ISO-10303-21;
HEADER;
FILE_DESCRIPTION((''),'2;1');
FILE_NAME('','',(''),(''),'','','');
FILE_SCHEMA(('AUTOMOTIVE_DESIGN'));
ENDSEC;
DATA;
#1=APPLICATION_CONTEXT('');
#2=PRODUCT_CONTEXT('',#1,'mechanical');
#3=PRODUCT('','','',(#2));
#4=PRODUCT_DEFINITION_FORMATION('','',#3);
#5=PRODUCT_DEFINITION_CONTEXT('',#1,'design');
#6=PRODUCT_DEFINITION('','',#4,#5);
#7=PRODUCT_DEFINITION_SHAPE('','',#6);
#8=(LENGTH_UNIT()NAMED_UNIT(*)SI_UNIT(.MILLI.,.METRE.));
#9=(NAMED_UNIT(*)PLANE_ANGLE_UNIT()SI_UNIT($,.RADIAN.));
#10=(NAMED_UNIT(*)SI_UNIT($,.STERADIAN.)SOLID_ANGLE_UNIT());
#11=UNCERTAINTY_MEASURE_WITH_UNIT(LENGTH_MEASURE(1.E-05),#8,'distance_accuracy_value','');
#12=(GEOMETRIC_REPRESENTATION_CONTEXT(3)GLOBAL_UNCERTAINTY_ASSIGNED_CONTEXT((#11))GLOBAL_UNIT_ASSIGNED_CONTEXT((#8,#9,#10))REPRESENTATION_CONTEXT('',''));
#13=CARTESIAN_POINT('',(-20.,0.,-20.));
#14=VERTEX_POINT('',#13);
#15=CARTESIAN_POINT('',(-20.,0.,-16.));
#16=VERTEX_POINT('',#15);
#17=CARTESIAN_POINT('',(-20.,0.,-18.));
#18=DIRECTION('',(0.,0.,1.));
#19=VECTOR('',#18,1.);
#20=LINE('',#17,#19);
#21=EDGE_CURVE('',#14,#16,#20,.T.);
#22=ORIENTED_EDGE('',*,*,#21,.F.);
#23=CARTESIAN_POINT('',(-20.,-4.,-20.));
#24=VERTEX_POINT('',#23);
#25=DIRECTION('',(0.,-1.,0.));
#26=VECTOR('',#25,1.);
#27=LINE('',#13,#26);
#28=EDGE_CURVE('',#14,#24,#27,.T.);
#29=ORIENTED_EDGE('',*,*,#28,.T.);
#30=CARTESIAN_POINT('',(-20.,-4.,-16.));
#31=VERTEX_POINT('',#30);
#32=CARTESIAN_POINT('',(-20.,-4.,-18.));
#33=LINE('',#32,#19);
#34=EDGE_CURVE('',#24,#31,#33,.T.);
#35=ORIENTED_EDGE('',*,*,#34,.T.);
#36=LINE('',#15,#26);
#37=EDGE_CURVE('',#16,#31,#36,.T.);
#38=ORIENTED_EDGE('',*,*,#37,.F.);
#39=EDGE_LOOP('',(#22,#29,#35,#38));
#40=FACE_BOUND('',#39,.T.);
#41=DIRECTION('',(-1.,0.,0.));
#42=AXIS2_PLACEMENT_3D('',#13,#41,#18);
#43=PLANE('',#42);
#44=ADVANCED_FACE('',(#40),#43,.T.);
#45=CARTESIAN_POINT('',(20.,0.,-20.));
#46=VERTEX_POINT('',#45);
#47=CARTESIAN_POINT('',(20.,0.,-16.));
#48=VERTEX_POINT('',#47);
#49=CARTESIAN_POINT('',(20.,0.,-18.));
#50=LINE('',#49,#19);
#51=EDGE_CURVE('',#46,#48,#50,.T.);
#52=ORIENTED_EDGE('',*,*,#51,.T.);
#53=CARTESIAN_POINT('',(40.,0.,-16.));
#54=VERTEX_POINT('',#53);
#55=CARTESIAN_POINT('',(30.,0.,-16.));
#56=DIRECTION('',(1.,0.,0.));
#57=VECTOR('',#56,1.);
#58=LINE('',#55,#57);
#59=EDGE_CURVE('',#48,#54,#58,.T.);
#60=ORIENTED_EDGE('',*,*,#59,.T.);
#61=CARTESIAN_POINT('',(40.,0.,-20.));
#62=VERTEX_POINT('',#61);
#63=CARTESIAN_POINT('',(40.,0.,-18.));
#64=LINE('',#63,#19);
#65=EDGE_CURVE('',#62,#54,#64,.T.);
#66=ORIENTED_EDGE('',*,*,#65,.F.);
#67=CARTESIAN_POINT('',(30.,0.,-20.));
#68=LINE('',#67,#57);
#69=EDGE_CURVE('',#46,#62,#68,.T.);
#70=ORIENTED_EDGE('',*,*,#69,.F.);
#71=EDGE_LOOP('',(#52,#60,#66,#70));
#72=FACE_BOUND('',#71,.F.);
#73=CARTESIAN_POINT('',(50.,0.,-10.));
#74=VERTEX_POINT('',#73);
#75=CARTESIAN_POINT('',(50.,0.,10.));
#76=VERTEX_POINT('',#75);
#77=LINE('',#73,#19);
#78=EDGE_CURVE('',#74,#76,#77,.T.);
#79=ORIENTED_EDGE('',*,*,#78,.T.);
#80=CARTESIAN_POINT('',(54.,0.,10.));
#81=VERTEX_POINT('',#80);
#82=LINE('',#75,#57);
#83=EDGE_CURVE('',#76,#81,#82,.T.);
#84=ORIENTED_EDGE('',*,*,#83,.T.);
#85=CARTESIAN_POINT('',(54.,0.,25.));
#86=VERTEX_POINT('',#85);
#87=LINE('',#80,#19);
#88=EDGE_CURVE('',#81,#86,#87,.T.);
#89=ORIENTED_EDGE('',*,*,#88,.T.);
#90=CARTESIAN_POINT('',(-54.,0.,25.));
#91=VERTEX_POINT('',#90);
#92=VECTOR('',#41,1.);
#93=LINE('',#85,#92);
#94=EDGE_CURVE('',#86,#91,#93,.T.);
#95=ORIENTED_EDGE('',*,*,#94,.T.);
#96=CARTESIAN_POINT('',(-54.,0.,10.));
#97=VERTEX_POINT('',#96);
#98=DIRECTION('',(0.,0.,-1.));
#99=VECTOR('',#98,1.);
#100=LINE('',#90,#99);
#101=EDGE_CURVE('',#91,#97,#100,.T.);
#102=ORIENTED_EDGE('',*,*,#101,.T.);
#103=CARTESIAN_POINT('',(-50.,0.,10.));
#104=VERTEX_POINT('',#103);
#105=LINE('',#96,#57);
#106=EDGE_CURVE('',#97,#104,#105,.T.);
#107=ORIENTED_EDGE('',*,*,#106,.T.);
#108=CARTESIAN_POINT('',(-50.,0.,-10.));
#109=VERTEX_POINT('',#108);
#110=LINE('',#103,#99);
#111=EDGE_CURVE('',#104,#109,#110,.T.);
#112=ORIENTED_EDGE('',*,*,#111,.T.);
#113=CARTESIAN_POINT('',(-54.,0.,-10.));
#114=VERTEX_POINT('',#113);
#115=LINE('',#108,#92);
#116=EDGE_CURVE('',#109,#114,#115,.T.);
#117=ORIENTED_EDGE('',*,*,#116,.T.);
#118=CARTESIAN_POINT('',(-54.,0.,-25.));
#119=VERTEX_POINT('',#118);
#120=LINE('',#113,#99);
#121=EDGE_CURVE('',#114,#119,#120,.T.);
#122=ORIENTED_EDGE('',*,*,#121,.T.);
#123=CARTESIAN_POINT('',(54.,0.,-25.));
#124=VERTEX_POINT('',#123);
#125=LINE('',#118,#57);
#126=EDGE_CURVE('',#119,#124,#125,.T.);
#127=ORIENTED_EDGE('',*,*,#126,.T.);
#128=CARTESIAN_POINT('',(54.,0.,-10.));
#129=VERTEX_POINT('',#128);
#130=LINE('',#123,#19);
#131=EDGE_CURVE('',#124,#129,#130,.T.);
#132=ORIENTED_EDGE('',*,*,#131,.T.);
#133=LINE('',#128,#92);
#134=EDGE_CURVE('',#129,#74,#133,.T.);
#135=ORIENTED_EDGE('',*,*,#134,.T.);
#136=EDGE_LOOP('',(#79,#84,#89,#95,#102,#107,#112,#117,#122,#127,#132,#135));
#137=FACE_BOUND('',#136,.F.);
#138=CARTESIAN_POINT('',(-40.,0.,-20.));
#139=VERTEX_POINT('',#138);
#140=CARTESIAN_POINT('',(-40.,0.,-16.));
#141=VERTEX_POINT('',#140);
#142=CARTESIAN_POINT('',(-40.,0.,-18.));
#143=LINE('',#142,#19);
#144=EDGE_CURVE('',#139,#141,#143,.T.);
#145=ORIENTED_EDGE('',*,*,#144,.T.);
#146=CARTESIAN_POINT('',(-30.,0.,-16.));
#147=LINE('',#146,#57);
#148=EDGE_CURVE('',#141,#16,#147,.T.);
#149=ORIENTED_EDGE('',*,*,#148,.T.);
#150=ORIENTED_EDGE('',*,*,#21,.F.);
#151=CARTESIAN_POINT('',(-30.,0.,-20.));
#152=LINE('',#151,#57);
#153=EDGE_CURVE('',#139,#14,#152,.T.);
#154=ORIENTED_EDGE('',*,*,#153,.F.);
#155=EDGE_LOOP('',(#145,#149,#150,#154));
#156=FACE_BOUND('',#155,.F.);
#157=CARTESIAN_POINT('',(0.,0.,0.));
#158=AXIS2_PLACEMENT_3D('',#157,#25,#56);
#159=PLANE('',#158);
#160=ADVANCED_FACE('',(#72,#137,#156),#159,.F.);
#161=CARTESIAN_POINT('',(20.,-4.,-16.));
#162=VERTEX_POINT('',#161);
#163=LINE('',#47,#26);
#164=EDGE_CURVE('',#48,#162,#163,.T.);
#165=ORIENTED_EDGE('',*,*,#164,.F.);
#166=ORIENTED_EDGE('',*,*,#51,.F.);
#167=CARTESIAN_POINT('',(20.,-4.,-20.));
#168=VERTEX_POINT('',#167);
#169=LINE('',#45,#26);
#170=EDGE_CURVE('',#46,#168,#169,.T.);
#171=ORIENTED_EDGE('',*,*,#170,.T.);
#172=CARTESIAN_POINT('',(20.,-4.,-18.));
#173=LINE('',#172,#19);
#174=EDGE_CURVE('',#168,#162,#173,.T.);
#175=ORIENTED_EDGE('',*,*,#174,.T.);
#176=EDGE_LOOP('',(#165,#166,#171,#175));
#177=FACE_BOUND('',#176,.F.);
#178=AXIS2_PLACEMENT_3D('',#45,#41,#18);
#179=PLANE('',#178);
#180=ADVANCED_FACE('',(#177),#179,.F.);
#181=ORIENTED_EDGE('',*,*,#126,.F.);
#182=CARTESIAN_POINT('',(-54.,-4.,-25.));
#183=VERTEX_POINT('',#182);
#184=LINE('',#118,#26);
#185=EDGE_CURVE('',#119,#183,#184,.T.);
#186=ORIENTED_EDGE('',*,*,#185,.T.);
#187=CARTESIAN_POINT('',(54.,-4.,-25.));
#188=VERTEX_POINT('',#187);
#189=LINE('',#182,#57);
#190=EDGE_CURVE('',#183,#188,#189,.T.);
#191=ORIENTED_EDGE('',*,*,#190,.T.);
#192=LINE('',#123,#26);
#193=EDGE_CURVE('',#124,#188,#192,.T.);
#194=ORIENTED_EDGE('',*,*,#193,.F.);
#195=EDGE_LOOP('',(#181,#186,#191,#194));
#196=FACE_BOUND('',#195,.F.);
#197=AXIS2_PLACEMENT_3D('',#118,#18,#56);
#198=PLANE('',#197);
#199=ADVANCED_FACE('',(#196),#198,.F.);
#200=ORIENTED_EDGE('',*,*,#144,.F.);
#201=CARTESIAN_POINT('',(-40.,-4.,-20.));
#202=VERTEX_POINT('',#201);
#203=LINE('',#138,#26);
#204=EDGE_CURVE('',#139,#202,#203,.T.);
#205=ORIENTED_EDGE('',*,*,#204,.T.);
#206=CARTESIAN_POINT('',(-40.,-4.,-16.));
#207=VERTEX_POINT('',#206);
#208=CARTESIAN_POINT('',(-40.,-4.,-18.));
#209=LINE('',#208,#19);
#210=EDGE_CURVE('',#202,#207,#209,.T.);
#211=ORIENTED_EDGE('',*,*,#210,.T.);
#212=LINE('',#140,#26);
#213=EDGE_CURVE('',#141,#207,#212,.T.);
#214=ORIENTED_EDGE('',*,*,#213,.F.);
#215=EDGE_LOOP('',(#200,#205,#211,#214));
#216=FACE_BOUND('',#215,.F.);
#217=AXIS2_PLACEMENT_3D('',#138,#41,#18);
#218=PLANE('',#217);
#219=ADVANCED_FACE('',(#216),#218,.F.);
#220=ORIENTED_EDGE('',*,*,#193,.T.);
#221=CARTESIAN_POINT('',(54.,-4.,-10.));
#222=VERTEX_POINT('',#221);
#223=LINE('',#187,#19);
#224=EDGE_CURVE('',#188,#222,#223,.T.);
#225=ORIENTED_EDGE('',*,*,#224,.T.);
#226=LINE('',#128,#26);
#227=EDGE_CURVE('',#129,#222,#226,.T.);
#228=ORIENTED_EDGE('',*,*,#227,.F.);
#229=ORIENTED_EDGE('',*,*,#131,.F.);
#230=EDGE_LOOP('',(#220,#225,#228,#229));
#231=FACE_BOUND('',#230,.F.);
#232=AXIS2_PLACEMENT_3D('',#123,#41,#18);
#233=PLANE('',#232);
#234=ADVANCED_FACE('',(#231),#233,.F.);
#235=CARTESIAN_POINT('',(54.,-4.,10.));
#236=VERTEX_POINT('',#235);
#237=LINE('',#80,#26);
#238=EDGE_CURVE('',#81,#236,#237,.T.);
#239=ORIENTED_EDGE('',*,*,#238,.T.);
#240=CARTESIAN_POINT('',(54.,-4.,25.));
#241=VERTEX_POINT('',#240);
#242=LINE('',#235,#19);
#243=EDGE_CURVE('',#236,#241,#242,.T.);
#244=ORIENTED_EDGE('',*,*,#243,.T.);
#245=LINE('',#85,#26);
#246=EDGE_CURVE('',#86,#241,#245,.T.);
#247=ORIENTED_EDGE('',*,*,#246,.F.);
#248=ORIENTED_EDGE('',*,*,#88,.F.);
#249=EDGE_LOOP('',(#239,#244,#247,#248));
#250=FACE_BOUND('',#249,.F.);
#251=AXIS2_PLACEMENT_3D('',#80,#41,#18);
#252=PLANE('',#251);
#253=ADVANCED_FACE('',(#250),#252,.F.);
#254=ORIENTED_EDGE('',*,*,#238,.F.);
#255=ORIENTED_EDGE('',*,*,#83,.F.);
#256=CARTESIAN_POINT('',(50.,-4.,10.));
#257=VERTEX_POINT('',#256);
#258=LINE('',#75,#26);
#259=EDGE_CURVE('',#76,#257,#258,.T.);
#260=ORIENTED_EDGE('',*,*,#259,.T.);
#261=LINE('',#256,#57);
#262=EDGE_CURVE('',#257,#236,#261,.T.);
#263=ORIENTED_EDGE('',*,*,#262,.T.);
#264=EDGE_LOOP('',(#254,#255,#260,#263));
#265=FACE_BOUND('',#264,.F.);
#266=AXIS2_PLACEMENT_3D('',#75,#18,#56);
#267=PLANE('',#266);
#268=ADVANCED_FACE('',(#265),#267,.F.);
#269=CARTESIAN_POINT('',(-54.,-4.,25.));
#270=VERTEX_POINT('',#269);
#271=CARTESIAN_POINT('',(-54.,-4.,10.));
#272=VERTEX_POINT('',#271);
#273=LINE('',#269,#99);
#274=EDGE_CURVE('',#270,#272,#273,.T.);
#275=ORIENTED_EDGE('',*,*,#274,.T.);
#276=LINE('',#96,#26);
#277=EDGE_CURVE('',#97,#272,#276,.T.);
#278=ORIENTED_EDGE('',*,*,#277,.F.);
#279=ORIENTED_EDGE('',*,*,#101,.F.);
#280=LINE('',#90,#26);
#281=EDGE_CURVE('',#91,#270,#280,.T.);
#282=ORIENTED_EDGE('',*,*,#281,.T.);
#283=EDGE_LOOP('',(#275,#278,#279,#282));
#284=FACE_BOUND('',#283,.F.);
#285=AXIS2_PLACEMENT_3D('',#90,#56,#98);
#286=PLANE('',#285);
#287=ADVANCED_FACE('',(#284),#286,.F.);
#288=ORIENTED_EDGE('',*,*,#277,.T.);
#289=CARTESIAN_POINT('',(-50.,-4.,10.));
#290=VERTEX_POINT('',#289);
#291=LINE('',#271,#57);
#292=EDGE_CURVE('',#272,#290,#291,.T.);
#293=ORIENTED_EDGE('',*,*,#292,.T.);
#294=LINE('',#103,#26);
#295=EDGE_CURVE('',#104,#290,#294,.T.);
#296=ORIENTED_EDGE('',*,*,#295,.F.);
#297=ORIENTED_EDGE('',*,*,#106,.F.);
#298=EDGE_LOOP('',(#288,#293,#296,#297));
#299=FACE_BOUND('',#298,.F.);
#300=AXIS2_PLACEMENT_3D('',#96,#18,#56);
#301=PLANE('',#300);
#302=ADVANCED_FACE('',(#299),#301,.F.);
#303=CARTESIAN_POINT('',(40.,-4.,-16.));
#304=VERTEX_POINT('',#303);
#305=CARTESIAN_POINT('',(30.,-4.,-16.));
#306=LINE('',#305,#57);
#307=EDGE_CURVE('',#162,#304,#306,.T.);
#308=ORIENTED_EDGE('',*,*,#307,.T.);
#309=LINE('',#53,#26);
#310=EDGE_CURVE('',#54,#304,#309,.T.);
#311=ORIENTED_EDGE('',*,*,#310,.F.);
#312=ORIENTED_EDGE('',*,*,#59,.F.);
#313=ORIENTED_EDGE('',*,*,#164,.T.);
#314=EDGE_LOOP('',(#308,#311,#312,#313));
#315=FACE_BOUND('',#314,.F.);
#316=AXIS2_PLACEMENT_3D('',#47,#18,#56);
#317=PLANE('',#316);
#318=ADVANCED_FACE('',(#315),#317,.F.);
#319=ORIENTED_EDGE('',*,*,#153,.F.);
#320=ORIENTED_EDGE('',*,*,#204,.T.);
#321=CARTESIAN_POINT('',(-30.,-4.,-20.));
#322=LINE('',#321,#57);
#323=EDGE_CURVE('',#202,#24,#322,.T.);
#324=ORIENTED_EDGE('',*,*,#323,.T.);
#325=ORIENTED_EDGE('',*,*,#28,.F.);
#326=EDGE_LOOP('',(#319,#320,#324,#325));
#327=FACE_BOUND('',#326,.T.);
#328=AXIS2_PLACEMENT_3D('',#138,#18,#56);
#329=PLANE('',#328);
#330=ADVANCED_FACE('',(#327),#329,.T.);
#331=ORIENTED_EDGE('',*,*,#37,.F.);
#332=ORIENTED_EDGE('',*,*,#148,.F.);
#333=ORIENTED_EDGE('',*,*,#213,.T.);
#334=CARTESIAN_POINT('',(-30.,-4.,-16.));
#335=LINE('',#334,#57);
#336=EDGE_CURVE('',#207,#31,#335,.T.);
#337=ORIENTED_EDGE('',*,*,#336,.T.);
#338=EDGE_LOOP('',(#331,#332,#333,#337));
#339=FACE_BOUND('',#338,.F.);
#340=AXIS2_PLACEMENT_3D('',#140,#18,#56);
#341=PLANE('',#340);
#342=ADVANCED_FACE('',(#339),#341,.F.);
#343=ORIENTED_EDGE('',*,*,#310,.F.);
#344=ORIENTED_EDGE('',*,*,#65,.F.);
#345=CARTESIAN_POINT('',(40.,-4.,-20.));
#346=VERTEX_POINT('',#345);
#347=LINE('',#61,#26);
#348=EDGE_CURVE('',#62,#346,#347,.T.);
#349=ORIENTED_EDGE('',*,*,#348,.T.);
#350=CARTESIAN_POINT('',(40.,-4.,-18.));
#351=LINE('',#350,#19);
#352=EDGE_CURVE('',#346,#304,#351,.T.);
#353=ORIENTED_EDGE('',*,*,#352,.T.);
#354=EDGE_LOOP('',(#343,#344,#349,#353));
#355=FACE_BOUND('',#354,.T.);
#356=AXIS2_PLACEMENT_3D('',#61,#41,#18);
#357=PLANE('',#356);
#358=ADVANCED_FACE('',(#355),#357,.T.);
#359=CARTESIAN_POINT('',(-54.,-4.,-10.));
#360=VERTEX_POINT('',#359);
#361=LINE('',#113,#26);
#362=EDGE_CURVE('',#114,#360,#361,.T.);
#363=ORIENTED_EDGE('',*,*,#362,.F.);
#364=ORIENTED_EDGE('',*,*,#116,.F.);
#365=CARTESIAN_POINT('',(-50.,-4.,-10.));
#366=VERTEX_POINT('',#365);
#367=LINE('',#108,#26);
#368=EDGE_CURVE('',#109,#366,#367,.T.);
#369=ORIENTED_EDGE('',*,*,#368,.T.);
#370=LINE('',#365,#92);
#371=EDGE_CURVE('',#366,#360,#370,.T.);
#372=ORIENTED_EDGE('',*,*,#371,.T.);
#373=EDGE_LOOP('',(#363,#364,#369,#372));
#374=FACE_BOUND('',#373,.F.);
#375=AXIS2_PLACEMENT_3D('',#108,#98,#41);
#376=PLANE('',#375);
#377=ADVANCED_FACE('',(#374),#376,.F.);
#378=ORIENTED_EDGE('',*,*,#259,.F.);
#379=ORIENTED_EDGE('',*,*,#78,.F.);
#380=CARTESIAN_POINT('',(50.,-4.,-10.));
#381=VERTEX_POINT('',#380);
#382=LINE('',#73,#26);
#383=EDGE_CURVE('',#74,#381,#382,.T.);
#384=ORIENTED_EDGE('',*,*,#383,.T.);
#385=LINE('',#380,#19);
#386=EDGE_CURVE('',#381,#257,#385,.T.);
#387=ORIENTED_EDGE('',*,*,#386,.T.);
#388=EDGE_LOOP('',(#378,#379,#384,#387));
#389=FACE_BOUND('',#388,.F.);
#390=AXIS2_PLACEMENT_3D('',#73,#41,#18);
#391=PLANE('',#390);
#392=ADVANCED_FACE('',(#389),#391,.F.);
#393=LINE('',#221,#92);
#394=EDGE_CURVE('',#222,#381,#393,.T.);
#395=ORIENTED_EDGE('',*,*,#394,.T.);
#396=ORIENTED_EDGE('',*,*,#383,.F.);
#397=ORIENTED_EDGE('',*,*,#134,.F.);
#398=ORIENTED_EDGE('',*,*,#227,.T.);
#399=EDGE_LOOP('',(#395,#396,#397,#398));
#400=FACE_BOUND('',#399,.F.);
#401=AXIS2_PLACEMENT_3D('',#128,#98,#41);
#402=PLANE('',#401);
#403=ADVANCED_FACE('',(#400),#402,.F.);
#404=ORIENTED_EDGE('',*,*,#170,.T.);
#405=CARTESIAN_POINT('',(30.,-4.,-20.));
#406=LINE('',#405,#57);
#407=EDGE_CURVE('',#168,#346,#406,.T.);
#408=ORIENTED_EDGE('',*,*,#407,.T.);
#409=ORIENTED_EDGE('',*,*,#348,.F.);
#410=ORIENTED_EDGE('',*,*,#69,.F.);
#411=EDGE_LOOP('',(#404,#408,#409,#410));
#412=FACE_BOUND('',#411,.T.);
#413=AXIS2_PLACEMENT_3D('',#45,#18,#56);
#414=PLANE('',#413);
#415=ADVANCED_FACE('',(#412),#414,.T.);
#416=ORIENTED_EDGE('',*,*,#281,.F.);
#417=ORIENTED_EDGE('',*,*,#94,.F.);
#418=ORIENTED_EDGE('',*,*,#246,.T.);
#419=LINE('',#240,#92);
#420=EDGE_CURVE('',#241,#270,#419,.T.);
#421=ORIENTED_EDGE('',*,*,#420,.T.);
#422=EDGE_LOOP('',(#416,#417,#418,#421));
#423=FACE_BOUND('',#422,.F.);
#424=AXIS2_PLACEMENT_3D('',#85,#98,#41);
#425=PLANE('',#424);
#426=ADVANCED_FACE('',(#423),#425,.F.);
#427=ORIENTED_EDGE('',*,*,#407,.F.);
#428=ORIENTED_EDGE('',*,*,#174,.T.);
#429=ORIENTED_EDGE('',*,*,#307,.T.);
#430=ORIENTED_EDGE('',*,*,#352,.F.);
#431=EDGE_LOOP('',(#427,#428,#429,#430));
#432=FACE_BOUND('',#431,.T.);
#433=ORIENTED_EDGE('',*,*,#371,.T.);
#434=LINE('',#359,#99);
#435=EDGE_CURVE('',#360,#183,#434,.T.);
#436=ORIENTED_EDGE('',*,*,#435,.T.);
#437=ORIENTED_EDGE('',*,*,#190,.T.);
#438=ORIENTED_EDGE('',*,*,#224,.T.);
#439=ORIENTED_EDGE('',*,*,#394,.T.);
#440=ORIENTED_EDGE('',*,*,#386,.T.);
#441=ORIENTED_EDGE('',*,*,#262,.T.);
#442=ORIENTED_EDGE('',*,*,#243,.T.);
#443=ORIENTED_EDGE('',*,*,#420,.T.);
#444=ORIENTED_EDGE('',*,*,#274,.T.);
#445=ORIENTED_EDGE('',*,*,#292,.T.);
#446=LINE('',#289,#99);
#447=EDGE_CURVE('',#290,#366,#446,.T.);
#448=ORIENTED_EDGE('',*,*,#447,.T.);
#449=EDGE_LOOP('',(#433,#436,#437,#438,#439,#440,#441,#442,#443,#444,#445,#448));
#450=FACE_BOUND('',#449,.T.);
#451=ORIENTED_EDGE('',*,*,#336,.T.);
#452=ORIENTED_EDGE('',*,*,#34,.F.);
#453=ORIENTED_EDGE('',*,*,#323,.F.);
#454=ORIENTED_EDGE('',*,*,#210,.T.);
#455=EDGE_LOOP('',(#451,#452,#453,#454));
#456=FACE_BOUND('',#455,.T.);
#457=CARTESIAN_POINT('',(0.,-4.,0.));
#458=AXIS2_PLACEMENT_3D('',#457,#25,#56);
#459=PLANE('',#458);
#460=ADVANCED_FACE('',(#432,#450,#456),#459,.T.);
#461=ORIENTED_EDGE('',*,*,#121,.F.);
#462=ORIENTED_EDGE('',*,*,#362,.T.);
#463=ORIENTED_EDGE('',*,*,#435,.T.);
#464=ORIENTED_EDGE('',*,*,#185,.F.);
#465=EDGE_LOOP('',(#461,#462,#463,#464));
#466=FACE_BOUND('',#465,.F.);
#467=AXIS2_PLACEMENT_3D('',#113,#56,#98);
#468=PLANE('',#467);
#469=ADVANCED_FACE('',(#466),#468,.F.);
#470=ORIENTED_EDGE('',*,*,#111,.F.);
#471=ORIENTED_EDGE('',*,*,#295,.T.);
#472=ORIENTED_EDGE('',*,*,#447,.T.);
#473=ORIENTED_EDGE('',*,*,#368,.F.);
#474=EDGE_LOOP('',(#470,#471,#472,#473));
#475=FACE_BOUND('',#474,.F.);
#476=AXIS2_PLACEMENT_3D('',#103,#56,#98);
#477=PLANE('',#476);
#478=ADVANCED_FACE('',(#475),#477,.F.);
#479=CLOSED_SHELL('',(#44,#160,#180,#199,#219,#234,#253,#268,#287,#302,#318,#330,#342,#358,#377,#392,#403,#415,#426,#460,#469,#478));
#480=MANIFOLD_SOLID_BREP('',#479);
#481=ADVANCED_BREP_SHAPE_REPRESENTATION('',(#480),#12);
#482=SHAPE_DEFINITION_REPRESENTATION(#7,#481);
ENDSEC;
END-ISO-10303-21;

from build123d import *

# Parameters (mm, degrees)
F0_W     = 20
F0_H     = 4
F1_DEPTH = 4


with BuildPart() as f1:
    # F0 (on Front) → F1 (new body)
    with BuildSketch(Plane.XZ):
        Polygon((54, 10), (54, 25), (-54, 25), (-54, 10), (-50, 10), (-50, -10), (-54, -10), (-54, -25), (54, -25), (54, -10), (50, -10), (50, 10), align=None)
        with Locations((-30, -18)):
            Rectangle(F0_W, F0_H, mode=Mode.SUBTRACT)
        with Locations((30, -18)):
            Rectangle(F0_W, F0_H, mode=Mode.SUBTRACT)
    extrude(amount=F1_DEPTH)


solid = f1.part
